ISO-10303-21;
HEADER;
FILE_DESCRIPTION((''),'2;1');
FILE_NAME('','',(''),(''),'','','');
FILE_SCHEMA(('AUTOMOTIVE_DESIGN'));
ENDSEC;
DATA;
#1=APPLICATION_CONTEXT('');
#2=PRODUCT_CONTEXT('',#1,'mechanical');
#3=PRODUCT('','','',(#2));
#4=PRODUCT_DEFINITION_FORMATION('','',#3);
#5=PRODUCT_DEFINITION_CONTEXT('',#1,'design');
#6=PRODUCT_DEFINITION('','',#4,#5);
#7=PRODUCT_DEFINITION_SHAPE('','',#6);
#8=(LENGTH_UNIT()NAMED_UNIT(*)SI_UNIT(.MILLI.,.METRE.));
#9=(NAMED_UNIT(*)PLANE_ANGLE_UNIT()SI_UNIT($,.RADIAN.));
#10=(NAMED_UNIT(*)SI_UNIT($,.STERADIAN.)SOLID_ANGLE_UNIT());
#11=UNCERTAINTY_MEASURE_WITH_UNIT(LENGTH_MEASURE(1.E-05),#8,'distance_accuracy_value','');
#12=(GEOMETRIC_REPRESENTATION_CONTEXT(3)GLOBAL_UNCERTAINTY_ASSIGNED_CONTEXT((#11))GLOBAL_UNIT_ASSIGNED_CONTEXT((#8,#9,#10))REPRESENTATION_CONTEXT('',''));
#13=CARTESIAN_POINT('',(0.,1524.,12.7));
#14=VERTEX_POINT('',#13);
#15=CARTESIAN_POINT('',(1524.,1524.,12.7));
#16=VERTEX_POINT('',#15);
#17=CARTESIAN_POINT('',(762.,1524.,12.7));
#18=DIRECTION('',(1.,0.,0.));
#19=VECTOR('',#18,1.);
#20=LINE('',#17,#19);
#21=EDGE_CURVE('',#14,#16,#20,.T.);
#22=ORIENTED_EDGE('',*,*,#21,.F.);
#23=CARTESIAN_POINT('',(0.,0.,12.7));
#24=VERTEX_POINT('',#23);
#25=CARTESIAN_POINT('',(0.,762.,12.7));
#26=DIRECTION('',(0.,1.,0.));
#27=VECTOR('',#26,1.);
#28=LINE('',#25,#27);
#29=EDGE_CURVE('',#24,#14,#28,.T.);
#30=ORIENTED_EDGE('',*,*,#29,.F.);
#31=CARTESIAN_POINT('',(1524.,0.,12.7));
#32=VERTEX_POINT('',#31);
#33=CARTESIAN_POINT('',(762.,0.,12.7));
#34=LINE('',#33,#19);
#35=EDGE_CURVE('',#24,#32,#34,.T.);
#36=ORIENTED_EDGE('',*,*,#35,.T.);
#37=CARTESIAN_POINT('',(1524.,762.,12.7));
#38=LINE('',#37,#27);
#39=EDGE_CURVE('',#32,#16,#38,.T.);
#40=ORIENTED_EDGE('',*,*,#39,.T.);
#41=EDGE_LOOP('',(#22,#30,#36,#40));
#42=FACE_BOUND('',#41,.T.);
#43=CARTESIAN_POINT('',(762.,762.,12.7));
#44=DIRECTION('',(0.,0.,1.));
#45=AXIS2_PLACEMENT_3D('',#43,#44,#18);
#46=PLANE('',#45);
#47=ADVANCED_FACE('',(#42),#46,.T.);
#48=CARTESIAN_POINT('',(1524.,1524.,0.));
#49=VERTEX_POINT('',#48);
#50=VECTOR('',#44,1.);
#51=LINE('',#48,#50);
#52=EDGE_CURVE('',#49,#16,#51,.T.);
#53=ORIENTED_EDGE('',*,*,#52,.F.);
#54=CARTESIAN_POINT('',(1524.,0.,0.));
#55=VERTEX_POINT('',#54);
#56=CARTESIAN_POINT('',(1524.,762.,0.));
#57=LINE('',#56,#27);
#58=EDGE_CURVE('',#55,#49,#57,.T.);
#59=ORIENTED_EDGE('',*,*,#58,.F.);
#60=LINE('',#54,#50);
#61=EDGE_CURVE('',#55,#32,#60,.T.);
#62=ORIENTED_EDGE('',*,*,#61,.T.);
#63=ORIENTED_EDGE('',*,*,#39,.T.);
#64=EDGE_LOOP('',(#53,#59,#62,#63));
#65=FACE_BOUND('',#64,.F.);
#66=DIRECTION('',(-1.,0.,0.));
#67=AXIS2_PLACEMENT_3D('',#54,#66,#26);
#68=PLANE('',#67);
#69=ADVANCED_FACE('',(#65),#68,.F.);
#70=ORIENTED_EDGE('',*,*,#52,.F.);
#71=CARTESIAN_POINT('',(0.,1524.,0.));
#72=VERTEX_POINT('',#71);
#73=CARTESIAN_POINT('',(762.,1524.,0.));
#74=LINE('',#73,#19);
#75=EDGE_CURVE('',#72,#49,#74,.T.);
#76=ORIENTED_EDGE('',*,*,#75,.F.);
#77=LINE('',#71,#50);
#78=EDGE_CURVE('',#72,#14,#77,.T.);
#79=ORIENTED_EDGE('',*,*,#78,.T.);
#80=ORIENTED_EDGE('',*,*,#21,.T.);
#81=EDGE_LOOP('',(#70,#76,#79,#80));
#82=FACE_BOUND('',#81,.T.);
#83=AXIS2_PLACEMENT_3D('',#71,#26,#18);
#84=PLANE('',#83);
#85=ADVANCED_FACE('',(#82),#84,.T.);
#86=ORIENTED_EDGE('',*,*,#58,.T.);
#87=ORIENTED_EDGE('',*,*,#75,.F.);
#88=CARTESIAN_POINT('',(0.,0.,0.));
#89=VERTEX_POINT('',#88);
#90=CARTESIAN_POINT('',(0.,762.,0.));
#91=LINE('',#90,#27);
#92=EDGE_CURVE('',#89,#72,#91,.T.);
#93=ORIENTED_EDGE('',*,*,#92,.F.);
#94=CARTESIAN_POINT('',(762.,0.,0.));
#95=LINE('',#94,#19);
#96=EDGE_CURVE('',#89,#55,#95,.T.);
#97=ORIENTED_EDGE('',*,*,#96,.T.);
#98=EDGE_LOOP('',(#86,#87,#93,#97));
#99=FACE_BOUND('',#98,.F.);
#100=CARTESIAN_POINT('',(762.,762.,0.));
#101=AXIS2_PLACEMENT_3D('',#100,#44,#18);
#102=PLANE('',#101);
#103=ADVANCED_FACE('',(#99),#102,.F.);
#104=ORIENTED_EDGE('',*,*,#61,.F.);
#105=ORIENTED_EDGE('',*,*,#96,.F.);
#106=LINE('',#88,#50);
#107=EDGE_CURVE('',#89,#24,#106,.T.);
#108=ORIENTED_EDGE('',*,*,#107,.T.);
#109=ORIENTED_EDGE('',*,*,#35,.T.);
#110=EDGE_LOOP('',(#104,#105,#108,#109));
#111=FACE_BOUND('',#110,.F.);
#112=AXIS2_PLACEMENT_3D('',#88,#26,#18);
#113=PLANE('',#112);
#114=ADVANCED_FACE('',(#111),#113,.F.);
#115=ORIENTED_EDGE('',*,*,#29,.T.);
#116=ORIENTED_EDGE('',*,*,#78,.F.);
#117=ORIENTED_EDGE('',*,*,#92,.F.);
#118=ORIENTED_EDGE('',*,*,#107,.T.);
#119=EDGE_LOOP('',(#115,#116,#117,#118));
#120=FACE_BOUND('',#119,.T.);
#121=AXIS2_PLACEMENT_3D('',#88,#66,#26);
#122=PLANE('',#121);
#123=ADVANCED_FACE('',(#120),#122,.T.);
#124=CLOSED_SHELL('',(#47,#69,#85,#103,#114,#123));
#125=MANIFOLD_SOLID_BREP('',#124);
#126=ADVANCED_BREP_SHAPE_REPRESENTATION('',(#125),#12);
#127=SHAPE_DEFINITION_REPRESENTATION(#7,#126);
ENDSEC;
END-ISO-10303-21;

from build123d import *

# Parameters (mm, degrees)
SKETCH_W  = 1524
SKETCH_H  = 1524
PAD_DEPTH = 12.7


with BuildPart() as part:
    # Sketch → Pad (new body)
    with BuildSketch(Plane.XY):
        with Locations((762, 762)):
            Rectangle(SKETCH_W, SKETCH_H)
    extrude(amount=PAD_DEPTH)


solid = part.part
